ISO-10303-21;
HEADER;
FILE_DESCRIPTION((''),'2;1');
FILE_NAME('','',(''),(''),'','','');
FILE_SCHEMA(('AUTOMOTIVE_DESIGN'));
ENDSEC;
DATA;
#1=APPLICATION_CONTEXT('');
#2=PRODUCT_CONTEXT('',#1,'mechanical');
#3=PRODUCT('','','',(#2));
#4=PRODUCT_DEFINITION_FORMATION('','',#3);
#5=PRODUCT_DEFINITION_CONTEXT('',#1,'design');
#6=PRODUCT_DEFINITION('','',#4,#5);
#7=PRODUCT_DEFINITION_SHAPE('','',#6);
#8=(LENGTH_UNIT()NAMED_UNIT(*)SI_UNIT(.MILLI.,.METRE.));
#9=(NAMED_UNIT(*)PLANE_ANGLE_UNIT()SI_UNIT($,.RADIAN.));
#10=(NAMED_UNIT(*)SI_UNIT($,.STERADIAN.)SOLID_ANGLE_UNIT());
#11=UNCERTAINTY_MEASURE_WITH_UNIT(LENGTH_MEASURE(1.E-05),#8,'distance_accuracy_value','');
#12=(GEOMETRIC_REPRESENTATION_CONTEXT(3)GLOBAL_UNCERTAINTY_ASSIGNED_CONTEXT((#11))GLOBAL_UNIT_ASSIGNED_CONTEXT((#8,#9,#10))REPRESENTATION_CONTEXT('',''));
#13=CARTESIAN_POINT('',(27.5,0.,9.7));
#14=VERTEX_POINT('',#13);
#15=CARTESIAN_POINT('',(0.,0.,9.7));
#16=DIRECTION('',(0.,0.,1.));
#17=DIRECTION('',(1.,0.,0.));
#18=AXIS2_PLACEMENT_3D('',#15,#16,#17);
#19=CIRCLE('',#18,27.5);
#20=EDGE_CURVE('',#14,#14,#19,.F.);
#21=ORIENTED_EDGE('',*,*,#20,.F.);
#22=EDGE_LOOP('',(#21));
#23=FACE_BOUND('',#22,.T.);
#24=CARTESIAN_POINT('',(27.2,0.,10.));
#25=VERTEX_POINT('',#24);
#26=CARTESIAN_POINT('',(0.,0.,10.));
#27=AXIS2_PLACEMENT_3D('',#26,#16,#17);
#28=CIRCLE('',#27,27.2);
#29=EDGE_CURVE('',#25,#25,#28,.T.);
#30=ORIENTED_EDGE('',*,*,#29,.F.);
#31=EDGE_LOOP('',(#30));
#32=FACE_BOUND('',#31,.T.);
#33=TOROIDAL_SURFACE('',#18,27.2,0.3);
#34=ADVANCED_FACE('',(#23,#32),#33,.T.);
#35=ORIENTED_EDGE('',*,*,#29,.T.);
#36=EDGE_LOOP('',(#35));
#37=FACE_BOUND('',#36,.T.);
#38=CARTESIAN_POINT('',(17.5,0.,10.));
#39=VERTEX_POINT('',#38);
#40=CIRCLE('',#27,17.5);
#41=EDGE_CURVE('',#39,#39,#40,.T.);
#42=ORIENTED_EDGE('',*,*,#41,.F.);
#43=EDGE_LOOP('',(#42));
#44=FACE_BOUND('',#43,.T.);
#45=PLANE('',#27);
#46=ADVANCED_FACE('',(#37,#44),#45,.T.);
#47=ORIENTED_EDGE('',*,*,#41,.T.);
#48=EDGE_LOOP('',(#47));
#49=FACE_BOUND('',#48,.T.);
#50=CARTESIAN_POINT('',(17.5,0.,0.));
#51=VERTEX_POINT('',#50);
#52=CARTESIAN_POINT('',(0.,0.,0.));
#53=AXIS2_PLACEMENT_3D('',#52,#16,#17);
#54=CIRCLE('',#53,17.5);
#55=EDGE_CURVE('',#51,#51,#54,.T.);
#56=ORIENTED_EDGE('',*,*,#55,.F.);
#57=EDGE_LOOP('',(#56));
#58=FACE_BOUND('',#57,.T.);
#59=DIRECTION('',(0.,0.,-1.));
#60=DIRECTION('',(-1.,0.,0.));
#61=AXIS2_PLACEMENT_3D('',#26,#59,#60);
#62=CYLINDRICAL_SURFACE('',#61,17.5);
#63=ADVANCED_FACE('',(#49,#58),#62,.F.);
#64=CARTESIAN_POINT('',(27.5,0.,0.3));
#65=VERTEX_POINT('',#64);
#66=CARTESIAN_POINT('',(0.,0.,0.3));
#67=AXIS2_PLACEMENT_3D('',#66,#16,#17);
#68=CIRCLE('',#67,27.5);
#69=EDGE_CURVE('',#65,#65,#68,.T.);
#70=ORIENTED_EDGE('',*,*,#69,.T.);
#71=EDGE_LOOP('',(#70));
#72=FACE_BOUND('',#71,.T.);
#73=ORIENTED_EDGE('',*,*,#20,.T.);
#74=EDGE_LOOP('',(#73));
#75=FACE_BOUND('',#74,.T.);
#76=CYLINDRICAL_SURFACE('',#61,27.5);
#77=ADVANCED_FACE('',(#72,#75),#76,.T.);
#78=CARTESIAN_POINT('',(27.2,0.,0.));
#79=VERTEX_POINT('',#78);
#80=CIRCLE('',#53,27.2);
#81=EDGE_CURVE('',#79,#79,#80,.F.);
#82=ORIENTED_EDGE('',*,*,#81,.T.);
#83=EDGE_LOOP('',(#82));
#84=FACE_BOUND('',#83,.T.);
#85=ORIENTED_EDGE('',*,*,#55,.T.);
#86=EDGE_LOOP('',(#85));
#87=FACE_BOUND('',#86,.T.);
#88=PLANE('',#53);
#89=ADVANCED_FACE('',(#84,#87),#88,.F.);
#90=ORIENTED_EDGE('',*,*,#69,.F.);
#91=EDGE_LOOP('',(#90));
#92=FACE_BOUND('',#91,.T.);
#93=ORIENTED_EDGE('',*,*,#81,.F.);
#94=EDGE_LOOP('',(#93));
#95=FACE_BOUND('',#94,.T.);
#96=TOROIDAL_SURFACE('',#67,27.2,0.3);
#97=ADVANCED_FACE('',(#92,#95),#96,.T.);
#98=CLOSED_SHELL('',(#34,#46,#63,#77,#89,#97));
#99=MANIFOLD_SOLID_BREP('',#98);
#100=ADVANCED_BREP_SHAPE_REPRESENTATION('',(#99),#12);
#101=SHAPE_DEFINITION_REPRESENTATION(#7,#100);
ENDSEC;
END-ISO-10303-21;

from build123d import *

# Parameters (mm, degrees)
SKETCH1_R           = 27.5
SKETCH1_R_2         = 17.5
BOSS_EXTRUDE1_DEPTH = 10
FILLET1_R           = 0.3


with BuildPart() as part:
    # Sketch1 → Boss-Extrude1 (new body)
    with BuildSketch(Plane.XY):
        Circle(SKETCH1_R)
        Circle(SKETCH1_R_2, mode=Mode.SUBTRACT)
    extrude(amount=BOSS_EXTRUDE1_DEPTH)

    # Fillet1
    fillet1_edges = [part.edges().sort_by_distance(p)[0] for p in [
        (-27.5, 0, 0),
        (-27.5, 0, 10),
    ]]
    fillet(fillet1_edges, radius=FILLET1_R)


solid = part.part
